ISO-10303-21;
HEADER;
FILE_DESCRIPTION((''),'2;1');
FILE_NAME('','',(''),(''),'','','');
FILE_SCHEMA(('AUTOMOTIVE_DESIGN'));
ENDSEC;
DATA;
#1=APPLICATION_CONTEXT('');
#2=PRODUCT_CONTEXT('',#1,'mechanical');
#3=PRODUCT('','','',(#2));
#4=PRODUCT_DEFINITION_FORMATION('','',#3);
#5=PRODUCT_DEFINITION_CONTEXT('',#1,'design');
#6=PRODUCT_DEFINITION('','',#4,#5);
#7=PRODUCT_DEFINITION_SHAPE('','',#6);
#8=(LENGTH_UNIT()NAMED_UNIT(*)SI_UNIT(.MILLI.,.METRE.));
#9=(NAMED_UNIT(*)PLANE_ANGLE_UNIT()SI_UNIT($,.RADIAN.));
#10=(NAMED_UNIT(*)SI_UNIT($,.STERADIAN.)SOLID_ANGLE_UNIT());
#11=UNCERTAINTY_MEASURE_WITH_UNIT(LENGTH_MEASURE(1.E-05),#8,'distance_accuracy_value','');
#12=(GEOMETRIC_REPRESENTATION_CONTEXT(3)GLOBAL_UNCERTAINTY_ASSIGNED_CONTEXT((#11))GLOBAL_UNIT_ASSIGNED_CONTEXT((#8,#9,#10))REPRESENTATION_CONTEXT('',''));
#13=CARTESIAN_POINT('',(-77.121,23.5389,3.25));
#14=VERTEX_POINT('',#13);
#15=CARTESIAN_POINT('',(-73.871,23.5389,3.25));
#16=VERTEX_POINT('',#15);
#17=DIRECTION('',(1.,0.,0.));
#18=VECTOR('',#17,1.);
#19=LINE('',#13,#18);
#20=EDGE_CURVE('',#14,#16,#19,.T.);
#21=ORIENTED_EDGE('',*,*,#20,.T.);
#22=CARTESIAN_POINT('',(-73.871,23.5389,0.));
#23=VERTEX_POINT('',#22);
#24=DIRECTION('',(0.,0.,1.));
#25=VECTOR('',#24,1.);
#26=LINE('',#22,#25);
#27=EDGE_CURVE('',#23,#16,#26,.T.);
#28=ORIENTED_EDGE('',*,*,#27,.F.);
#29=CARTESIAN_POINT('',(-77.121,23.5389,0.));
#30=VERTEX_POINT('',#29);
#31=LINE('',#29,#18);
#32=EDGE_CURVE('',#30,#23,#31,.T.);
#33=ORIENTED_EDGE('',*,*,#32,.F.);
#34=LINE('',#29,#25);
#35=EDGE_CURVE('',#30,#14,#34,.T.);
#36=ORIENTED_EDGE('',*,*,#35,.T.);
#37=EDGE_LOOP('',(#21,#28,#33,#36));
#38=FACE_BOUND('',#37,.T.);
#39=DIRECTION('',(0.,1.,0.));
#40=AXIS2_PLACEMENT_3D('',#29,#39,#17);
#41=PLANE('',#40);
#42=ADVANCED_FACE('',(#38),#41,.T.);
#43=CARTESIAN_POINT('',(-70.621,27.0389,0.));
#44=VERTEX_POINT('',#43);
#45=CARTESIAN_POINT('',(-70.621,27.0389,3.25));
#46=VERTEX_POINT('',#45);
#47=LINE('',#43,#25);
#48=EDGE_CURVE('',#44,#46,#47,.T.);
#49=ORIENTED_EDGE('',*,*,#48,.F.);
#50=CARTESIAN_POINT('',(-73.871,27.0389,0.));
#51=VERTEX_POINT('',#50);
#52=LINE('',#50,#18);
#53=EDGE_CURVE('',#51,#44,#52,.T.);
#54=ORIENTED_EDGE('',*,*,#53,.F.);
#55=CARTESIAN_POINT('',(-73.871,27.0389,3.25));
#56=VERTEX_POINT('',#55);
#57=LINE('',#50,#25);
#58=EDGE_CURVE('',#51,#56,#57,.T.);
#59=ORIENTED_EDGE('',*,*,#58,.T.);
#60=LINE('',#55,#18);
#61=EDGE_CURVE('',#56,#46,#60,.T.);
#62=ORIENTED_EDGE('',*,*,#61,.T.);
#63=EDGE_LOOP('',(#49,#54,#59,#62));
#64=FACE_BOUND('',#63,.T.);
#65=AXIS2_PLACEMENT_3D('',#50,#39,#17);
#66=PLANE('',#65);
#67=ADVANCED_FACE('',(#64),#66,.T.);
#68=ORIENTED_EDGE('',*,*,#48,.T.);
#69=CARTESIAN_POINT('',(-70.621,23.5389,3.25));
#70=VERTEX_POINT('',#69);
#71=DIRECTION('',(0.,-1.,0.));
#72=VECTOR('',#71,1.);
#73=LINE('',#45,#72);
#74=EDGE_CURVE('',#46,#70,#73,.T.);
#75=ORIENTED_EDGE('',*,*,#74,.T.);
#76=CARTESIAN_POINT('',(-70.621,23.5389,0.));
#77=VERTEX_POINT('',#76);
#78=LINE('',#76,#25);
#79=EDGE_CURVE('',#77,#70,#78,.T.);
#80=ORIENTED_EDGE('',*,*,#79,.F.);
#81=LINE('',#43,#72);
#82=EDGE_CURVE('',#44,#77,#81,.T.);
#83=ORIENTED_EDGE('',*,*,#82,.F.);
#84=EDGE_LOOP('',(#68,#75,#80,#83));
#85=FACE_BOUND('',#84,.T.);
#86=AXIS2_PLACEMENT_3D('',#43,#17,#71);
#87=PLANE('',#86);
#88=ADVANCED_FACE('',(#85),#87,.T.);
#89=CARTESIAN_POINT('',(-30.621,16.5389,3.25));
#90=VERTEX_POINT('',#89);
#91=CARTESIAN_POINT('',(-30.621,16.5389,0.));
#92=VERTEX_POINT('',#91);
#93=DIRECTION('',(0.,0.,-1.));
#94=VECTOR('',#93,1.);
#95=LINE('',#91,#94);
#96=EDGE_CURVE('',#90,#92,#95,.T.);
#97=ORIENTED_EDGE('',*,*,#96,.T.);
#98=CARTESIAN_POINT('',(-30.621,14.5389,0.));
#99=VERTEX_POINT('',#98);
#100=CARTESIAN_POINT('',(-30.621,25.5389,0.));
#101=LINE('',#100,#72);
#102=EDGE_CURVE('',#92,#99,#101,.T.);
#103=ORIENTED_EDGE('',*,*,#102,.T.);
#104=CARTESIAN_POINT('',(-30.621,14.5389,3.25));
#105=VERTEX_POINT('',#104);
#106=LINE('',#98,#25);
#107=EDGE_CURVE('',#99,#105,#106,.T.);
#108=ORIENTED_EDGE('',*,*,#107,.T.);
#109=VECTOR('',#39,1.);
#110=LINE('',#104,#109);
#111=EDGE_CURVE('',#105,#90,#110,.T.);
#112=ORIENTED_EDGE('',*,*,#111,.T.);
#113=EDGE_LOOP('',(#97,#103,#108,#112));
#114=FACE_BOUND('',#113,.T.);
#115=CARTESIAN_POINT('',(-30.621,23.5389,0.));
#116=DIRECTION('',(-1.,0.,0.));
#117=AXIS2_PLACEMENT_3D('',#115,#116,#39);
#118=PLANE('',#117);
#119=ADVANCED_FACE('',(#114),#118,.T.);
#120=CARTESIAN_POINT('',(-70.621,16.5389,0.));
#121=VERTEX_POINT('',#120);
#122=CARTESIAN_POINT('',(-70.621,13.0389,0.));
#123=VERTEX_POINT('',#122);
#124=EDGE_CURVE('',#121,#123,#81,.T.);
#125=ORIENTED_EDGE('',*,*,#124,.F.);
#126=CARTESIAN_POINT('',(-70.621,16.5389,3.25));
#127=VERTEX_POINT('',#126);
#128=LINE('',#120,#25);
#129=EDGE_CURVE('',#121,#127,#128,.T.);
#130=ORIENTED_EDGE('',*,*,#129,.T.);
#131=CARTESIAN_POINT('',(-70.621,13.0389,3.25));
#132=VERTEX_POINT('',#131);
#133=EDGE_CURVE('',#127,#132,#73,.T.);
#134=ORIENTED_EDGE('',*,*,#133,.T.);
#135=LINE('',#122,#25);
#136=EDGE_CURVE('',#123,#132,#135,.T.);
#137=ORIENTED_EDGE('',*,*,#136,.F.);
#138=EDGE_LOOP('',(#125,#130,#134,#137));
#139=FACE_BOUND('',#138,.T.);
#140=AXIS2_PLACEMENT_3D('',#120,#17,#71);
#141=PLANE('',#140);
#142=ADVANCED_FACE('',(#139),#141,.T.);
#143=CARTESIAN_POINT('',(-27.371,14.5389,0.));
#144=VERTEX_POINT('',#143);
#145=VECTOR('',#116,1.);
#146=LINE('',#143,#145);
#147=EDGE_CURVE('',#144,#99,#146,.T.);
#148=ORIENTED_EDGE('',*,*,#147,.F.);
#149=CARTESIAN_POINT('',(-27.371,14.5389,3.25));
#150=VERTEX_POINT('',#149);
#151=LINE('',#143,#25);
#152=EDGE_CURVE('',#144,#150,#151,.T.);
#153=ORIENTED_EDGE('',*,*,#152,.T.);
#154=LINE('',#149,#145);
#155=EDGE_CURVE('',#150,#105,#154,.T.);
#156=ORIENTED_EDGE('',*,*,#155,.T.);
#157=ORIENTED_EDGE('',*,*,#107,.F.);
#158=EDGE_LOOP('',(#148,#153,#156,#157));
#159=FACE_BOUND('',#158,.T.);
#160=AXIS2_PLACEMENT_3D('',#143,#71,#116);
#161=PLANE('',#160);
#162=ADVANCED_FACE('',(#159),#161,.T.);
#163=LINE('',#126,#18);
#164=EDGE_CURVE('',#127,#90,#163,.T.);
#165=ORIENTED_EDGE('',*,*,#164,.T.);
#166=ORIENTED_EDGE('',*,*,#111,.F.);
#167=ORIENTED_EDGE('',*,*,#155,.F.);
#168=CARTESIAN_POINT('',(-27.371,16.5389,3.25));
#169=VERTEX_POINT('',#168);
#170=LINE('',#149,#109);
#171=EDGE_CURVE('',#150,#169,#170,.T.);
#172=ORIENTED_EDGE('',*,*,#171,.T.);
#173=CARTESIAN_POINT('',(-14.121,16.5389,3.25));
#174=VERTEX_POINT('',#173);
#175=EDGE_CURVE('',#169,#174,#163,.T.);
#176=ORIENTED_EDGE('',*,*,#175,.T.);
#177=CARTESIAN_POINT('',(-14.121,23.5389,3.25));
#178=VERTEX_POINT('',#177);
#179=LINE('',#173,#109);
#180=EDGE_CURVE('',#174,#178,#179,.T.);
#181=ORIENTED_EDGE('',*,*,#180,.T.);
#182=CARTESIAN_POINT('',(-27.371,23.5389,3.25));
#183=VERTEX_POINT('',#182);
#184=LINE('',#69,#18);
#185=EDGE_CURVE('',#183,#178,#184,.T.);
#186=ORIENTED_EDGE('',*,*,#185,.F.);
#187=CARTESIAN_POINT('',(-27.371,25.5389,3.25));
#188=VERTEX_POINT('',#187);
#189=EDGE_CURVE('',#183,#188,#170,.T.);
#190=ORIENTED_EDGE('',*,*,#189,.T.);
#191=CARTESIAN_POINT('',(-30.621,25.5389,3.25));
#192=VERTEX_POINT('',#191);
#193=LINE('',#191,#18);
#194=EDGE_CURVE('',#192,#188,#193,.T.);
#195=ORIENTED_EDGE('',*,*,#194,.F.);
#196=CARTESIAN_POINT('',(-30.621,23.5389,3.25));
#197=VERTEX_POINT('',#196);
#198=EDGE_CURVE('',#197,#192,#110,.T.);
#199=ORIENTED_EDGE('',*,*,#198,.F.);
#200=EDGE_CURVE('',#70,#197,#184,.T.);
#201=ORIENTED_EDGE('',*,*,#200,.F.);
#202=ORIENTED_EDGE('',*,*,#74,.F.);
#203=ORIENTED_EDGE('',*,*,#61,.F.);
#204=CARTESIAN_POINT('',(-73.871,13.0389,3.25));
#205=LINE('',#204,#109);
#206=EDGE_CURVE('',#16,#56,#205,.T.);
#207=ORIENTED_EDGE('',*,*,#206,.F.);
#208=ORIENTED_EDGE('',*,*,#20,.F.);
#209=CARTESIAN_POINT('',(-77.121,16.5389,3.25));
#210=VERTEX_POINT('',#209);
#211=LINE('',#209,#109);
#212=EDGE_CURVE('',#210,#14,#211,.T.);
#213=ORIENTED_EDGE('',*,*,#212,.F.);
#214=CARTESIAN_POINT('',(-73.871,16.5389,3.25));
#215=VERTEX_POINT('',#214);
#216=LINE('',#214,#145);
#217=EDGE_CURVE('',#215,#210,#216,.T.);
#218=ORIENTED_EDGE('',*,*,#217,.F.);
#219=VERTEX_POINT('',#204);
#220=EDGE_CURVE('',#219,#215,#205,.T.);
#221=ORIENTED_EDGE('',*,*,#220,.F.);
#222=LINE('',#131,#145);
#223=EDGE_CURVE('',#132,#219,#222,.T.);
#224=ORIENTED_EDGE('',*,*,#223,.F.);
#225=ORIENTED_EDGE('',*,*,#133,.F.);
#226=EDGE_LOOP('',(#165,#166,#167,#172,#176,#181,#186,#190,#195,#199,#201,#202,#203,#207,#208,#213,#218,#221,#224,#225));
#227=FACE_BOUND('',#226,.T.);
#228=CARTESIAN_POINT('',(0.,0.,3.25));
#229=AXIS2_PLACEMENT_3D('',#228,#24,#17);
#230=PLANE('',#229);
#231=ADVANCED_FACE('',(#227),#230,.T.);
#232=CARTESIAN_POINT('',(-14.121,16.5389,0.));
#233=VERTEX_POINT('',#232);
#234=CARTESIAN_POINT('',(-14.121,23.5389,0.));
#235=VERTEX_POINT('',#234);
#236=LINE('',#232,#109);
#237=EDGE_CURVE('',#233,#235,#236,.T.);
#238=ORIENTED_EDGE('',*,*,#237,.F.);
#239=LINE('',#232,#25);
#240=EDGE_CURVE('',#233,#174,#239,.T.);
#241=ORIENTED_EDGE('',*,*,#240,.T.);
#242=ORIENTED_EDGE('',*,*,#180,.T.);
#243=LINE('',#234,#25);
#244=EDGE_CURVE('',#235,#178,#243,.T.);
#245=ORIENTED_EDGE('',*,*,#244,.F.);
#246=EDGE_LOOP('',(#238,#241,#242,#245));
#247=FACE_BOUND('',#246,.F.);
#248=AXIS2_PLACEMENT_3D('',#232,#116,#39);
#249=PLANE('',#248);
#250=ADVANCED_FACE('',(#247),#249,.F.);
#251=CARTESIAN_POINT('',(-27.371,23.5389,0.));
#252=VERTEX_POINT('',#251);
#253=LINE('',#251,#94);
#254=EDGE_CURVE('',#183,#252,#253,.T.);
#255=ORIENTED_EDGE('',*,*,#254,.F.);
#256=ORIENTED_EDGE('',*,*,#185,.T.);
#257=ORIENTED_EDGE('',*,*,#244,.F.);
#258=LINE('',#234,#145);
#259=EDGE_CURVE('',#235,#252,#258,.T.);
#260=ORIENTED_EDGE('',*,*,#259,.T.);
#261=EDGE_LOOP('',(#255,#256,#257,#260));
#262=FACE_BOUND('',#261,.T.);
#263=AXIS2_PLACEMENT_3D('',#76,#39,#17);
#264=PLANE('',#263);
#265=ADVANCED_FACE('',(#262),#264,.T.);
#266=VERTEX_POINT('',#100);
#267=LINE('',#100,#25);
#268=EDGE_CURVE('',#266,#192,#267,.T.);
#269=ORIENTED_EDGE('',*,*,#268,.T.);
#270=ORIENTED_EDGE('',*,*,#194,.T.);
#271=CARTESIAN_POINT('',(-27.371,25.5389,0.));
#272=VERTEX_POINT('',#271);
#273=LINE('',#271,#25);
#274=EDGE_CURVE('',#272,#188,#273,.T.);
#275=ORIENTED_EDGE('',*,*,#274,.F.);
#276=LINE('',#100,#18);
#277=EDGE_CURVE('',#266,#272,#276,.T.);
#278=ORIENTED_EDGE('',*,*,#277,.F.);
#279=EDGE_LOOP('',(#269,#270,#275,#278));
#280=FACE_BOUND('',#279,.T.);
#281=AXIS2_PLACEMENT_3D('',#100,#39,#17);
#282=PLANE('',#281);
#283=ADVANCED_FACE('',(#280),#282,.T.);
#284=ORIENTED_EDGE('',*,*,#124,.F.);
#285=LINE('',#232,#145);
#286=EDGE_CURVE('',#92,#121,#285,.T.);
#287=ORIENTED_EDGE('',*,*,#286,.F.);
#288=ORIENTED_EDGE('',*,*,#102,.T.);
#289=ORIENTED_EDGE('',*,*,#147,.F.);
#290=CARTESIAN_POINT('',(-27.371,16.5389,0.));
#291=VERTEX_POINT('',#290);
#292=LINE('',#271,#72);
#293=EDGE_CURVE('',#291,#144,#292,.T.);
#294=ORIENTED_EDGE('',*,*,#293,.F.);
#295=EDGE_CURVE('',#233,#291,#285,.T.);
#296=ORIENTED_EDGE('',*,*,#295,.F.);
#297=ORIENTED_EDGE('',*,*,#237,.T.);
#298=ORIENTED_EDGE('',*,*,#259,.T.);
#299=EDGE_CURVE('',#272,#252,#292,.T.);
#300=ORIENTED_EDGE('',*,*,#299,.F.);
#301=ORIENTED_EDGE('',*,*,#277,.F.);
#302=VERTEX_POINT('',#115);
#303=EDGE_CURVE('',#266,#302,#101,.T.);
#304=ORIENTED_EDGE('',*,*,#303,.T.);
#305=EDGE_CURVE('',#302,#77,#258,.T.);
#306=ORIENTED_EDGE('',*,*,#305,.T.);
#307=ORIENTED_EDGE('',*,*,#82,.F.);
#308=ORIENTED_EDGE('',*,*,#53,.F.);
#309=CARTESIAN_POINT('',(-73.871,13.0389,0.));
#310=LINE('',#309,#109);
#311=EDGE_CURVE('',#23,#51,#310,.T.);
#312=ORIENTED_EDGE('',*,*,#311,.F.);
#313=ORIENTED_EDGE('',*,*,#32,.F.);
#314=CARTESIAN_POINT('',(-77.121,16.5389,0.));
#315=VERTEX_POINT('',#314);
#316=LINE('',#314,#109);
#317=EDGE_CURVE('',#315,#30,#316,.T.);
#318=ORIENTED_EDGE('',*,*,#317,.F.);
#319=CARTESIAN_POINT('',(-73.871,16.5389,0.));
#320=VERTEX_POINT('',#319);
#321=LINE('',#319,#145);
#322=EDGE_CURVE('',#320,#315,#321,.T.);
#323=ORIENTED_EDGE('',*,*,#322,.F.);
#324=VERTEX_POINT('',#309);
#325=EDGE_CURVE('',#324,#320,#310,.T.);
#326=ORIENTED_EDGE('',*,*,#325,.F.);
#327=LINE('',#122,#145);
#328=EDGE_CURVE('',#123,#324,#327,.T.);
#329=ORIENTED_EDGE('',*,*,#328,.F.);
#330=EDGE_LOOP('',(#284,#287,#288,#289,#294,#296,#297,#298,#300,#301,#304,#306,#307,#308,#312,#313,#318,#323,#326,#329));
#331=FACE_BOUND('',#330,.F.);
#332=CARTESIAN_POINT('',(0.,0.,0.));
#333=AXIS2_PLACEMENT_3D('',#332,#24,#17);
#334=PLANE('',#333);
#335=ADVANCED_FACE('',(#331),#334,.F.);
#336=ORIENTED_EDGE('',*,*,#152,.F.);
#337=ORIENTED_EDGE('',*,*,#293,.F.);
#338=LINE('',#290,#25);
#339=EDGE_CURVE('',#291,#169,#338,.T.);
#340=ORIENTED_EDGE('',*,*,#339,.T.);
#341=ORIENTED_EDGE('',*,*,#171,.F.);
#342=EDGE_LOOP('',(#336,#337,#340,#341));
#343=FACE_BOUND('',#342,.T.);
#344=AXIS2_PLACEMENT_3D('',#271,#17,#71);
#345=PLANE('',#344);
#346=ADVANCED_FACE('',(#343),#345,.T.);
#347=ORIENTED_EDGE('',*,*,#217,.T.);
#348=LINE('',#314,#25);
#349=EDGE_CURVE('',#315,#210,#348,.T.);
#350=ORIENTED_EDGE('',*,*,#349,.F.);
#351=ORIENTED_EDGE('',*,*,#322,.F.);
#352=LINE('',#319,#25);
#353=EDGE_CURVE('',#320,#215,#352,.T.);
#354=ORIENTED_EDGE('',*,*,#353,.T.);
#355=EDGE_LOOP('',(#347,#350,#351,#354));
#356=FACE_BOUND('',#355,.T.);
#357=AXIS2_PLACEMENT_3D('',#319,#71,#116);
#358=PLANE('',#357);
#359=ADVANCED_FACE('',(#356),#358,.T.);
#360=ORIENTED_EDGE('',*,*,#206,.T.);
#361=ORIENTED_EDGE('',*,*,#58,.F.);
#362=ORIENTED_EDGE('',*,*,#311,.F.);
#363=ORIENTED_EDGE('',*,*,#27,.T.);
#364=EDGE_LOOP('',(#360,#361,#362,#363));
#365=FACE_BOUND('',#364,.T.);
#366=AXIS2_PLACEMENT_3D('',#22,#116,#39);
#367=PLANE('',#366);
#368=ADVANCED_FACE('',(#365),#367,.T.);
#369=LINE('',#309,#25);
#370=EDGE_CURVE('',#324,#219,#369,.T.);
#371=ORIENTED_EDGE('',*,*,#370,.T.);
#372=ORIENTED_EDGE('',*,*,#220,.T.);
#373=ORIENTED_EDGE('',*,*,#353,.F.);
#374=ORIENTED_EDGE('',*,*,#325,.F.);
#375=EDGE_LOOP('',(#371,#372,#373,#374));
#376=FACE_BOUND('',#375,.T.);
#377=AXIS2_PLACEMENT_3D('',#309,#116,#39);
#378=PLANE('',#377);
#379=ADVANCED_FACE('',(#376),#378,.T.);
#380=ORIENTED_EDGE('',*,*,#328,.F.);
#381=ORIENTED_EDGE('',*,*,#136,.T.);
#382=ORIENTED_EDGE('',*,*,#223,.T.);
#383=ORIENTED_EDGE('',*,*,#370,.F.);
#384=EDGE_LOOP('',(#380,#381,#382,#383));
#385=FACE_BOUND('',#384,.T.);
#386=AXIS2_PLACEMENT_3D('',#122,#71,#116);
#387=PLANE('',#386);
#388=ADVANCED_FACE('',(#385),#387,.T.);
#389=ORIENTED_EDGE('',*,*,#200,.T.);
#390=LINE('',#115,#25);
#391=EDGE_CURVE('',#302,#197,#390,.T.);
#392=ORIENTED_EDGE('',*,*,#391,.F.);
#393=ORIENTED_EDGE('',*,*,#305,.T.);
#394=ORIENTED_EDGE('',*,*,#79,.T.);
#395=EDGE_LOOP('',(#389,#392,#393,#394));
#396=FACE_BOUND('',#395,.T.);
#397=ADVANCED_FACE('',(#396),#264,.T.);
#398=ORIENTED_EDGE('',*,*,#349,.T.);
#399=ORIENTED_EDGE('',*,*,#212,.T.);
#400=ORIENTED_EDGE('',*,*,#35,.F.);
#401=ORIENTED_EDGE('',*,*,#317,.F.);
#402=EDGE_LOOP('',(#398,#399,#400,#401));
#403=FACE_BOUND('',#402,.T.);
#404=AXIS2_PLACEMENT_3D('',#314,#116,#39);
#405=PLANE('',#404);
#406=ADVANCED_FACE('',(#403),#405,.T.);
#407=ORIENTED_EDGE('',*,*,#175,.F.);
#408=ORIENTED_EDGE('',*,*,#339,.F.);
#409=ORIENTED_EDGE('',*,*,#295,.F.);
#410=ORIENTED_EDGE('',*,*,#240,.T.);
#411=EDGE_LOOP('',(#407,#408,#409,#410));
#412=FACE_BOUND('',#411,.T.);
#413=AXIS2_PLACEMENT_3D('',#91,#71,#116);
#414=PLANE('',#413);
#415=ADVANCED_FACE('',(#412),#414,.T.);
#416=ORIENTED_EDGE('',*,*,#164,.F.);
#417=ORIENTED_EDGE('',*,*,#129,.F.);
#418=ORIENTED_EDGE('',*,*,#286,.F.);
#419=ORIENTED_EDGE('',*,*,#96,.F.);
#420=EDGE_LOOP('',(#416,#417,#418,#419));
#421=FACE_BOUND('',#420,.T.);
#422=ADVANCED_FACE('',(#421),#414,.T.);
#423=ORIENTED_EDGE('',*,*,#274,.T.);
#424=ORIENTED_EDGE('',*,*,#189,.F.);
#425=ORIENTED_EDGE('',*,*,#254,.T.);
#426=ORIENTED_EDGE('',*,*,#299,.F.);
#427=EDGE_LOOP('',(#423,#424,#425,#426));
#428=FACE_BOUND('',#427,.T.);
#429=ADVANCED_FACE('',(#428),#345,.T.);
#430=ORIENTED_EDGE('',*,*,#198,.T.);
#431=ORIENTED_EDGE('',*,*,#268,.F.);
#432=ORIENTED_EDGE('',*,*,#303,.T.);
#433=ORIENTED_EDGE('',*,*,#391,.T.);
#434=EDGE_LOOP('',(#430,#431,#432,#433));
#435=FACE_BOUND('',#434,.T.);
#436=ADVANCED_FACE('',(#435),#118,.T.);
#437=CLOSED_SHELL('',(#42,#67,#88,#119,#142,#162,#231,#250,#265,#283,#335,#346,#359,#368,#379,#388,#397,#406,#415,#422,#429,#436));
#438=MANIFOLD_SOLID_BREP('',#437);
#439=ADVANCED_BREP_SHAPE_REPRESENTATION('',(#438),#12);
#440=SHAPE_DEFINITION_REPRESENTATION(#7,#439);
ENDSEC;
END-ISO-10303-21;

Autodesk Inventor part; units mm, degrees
ref_plane "YZ Plane" through (0, 0, 0) normal (1, 0, 0) x (0, 1, 0)
ref_plane "XZ Plane" through (0, 0, 0) normal (0, 1, 0) x (-1, 0, 0)
ref_plane "XY Plane" through (0, 0, 0) normal (0, 0, 1) x (1, 0, 0)
sketch "Sketch1" plane through (0, 0, 0) normal (0, 0, 1) x (1, 0, 0)
  line L0 (-92.7646, -8.503) -> (-89.7646, -8.503)
  line L1 (-89.7646, -8.503) -> (-89.7646, -11.753)
  line L2 (-89.7646, -11.753) -> (-92.7646, -11.753)
  line L3 (-92.7646, -11.753) -> (-92.7646, -8.503)
  line L4 (-92.7646, -21.6527) -> (-89.7646, -21.6527)
  line L5 (-89.7646, -21.6527) -> (-89.7646, -21.7527)
  line L6 (-89.7646, -21.7527) -> (-92.7646, -21.7527)
  line L7 (-92.7646, -21.7527) -> (-92.7646, -21.6527)
  line L8 (-70.621, 23.5389) -> (-20.621, 23.5389)
  line L9 (-20.621, 23.5389) -> (-20.621, 16.5389)
  line L10 (-20.621, 16.5389) -> (-70.621, 16.5389)
  line L11 (-70.621, 16.5389) -> (-70.621, 23.5389)
  line L12 (-73.871, 27.0389) -> (-70.621, 27.0389)
  line L13 (-70.621, 27.0389) -> (-70.621, 13.0389)
  line L14 (-70.621, 13.0389) -> (-73.871, 13.0389)
  line L15 (-73.871, 13.0389) -> (-73.871, 27.0389)
  line L16 (-73.871, 20.0389) -> (-70.621, 20.0389) construction
  line L17 (-20.621, 20.0389) -> (-70.621, 20.0389) construction
  line L18 (-45.621, 23.5389) -> (-45.621, 16.5389) construction
  line L19 (-77.121, 23.5389) -> (-73.871, 23.5389)
  line L20 (-73.871, 23.5389) -> (-73.871, 16.5389)
  line L21 (-73.871, 16.5389) -> (-77.121, 16.5389)
  line L22 (-77.121, 16.5389) -> (-77.121, 23.5389)
  line L23 (-77.121, 20.0389) -> (-73.871, 20.0389) construction
  line L24 (-20.621, 23.5389) -> (-17.371, 23.5389)
  line L25 (-17.371, 23.5389) -> (-17.371, 16.5389)
  line L26 (-17.371, 16.5389) -> (-20.621, 16.5389)
  line L27 (-20.621, 16.5389) -> (-20.621, 23.5389)
  line L28 (-14.121, 23.5389) -> (-17.371, 23.5389)
  line L29 (-17.371, 23.5389) -> (-17.371, 16.5389)
  line L30 (-17.371, 16.5389) -> (-14.121, 16.5389)
  line L31 (-14.121, 16.5389) -> (-14.121, 23.5389)
  line L32 (-14.121, 20.0389) -> (-17.371, 20.0389) construction
  line L33 (-30.621, 25.5389) -> (-27.371, 25.5389)
  line L34 (-27.371, 25.5389) -> (-27.371, 14.5389)
  line L35 (-27.371, 14.5389) -> (-30.621, 14.5389)
  line L36 (-30.621, 14.5389) -> (-30.621, 25.5389)
  line L37 (-30.621, 20.0389) -> (-27.371, 20.0389) construction
  point P0 (0, 0)
  point P1 (-17.371, 20.0389)
  dimension "d3" = 3
  dimension "mat" = 3.25
  dimension "d5" = 3
  dimension "kerf" = 0.1
  dimension "d44" = 3.25
  dimension "d45" = 14
  dimension "d46" = 3.25
  dimension "d47" = 7
  dimension "d48" = 50
  dimension "d49" = 3.25
  dimension "d50" = 7
  dimension "d53" = 3.25
  dimension "d54" = 11
  dimension "d55" = 40
extrude "Extrusion6" add sketch "Sketch1" along normal blind 3.25 contours L8 L36 L10 L11 | L11 L13 L14 L15 L12 | L8 L34 L10 L36 | L8 L9 L10 L34 | L24 L25 L26 L9 | L15 L21 L22 L19 | L28 L31 L30 L25
extrude "Extrusion7" add sketch "Sketch1" along normal blind 3.25 contours L36 L33 L34 L8 | L8 L34 L10 L36 | L10 L34 L35 L36
equation "\"d44\" = mat"
equation "\"d46\" = mat"
equation "\"d49\" = mat"
equation "\"d53\" = mat"
equation "\"d51\" = mat"
equation "\"d56\" = mat"
properties part number "body-back"
